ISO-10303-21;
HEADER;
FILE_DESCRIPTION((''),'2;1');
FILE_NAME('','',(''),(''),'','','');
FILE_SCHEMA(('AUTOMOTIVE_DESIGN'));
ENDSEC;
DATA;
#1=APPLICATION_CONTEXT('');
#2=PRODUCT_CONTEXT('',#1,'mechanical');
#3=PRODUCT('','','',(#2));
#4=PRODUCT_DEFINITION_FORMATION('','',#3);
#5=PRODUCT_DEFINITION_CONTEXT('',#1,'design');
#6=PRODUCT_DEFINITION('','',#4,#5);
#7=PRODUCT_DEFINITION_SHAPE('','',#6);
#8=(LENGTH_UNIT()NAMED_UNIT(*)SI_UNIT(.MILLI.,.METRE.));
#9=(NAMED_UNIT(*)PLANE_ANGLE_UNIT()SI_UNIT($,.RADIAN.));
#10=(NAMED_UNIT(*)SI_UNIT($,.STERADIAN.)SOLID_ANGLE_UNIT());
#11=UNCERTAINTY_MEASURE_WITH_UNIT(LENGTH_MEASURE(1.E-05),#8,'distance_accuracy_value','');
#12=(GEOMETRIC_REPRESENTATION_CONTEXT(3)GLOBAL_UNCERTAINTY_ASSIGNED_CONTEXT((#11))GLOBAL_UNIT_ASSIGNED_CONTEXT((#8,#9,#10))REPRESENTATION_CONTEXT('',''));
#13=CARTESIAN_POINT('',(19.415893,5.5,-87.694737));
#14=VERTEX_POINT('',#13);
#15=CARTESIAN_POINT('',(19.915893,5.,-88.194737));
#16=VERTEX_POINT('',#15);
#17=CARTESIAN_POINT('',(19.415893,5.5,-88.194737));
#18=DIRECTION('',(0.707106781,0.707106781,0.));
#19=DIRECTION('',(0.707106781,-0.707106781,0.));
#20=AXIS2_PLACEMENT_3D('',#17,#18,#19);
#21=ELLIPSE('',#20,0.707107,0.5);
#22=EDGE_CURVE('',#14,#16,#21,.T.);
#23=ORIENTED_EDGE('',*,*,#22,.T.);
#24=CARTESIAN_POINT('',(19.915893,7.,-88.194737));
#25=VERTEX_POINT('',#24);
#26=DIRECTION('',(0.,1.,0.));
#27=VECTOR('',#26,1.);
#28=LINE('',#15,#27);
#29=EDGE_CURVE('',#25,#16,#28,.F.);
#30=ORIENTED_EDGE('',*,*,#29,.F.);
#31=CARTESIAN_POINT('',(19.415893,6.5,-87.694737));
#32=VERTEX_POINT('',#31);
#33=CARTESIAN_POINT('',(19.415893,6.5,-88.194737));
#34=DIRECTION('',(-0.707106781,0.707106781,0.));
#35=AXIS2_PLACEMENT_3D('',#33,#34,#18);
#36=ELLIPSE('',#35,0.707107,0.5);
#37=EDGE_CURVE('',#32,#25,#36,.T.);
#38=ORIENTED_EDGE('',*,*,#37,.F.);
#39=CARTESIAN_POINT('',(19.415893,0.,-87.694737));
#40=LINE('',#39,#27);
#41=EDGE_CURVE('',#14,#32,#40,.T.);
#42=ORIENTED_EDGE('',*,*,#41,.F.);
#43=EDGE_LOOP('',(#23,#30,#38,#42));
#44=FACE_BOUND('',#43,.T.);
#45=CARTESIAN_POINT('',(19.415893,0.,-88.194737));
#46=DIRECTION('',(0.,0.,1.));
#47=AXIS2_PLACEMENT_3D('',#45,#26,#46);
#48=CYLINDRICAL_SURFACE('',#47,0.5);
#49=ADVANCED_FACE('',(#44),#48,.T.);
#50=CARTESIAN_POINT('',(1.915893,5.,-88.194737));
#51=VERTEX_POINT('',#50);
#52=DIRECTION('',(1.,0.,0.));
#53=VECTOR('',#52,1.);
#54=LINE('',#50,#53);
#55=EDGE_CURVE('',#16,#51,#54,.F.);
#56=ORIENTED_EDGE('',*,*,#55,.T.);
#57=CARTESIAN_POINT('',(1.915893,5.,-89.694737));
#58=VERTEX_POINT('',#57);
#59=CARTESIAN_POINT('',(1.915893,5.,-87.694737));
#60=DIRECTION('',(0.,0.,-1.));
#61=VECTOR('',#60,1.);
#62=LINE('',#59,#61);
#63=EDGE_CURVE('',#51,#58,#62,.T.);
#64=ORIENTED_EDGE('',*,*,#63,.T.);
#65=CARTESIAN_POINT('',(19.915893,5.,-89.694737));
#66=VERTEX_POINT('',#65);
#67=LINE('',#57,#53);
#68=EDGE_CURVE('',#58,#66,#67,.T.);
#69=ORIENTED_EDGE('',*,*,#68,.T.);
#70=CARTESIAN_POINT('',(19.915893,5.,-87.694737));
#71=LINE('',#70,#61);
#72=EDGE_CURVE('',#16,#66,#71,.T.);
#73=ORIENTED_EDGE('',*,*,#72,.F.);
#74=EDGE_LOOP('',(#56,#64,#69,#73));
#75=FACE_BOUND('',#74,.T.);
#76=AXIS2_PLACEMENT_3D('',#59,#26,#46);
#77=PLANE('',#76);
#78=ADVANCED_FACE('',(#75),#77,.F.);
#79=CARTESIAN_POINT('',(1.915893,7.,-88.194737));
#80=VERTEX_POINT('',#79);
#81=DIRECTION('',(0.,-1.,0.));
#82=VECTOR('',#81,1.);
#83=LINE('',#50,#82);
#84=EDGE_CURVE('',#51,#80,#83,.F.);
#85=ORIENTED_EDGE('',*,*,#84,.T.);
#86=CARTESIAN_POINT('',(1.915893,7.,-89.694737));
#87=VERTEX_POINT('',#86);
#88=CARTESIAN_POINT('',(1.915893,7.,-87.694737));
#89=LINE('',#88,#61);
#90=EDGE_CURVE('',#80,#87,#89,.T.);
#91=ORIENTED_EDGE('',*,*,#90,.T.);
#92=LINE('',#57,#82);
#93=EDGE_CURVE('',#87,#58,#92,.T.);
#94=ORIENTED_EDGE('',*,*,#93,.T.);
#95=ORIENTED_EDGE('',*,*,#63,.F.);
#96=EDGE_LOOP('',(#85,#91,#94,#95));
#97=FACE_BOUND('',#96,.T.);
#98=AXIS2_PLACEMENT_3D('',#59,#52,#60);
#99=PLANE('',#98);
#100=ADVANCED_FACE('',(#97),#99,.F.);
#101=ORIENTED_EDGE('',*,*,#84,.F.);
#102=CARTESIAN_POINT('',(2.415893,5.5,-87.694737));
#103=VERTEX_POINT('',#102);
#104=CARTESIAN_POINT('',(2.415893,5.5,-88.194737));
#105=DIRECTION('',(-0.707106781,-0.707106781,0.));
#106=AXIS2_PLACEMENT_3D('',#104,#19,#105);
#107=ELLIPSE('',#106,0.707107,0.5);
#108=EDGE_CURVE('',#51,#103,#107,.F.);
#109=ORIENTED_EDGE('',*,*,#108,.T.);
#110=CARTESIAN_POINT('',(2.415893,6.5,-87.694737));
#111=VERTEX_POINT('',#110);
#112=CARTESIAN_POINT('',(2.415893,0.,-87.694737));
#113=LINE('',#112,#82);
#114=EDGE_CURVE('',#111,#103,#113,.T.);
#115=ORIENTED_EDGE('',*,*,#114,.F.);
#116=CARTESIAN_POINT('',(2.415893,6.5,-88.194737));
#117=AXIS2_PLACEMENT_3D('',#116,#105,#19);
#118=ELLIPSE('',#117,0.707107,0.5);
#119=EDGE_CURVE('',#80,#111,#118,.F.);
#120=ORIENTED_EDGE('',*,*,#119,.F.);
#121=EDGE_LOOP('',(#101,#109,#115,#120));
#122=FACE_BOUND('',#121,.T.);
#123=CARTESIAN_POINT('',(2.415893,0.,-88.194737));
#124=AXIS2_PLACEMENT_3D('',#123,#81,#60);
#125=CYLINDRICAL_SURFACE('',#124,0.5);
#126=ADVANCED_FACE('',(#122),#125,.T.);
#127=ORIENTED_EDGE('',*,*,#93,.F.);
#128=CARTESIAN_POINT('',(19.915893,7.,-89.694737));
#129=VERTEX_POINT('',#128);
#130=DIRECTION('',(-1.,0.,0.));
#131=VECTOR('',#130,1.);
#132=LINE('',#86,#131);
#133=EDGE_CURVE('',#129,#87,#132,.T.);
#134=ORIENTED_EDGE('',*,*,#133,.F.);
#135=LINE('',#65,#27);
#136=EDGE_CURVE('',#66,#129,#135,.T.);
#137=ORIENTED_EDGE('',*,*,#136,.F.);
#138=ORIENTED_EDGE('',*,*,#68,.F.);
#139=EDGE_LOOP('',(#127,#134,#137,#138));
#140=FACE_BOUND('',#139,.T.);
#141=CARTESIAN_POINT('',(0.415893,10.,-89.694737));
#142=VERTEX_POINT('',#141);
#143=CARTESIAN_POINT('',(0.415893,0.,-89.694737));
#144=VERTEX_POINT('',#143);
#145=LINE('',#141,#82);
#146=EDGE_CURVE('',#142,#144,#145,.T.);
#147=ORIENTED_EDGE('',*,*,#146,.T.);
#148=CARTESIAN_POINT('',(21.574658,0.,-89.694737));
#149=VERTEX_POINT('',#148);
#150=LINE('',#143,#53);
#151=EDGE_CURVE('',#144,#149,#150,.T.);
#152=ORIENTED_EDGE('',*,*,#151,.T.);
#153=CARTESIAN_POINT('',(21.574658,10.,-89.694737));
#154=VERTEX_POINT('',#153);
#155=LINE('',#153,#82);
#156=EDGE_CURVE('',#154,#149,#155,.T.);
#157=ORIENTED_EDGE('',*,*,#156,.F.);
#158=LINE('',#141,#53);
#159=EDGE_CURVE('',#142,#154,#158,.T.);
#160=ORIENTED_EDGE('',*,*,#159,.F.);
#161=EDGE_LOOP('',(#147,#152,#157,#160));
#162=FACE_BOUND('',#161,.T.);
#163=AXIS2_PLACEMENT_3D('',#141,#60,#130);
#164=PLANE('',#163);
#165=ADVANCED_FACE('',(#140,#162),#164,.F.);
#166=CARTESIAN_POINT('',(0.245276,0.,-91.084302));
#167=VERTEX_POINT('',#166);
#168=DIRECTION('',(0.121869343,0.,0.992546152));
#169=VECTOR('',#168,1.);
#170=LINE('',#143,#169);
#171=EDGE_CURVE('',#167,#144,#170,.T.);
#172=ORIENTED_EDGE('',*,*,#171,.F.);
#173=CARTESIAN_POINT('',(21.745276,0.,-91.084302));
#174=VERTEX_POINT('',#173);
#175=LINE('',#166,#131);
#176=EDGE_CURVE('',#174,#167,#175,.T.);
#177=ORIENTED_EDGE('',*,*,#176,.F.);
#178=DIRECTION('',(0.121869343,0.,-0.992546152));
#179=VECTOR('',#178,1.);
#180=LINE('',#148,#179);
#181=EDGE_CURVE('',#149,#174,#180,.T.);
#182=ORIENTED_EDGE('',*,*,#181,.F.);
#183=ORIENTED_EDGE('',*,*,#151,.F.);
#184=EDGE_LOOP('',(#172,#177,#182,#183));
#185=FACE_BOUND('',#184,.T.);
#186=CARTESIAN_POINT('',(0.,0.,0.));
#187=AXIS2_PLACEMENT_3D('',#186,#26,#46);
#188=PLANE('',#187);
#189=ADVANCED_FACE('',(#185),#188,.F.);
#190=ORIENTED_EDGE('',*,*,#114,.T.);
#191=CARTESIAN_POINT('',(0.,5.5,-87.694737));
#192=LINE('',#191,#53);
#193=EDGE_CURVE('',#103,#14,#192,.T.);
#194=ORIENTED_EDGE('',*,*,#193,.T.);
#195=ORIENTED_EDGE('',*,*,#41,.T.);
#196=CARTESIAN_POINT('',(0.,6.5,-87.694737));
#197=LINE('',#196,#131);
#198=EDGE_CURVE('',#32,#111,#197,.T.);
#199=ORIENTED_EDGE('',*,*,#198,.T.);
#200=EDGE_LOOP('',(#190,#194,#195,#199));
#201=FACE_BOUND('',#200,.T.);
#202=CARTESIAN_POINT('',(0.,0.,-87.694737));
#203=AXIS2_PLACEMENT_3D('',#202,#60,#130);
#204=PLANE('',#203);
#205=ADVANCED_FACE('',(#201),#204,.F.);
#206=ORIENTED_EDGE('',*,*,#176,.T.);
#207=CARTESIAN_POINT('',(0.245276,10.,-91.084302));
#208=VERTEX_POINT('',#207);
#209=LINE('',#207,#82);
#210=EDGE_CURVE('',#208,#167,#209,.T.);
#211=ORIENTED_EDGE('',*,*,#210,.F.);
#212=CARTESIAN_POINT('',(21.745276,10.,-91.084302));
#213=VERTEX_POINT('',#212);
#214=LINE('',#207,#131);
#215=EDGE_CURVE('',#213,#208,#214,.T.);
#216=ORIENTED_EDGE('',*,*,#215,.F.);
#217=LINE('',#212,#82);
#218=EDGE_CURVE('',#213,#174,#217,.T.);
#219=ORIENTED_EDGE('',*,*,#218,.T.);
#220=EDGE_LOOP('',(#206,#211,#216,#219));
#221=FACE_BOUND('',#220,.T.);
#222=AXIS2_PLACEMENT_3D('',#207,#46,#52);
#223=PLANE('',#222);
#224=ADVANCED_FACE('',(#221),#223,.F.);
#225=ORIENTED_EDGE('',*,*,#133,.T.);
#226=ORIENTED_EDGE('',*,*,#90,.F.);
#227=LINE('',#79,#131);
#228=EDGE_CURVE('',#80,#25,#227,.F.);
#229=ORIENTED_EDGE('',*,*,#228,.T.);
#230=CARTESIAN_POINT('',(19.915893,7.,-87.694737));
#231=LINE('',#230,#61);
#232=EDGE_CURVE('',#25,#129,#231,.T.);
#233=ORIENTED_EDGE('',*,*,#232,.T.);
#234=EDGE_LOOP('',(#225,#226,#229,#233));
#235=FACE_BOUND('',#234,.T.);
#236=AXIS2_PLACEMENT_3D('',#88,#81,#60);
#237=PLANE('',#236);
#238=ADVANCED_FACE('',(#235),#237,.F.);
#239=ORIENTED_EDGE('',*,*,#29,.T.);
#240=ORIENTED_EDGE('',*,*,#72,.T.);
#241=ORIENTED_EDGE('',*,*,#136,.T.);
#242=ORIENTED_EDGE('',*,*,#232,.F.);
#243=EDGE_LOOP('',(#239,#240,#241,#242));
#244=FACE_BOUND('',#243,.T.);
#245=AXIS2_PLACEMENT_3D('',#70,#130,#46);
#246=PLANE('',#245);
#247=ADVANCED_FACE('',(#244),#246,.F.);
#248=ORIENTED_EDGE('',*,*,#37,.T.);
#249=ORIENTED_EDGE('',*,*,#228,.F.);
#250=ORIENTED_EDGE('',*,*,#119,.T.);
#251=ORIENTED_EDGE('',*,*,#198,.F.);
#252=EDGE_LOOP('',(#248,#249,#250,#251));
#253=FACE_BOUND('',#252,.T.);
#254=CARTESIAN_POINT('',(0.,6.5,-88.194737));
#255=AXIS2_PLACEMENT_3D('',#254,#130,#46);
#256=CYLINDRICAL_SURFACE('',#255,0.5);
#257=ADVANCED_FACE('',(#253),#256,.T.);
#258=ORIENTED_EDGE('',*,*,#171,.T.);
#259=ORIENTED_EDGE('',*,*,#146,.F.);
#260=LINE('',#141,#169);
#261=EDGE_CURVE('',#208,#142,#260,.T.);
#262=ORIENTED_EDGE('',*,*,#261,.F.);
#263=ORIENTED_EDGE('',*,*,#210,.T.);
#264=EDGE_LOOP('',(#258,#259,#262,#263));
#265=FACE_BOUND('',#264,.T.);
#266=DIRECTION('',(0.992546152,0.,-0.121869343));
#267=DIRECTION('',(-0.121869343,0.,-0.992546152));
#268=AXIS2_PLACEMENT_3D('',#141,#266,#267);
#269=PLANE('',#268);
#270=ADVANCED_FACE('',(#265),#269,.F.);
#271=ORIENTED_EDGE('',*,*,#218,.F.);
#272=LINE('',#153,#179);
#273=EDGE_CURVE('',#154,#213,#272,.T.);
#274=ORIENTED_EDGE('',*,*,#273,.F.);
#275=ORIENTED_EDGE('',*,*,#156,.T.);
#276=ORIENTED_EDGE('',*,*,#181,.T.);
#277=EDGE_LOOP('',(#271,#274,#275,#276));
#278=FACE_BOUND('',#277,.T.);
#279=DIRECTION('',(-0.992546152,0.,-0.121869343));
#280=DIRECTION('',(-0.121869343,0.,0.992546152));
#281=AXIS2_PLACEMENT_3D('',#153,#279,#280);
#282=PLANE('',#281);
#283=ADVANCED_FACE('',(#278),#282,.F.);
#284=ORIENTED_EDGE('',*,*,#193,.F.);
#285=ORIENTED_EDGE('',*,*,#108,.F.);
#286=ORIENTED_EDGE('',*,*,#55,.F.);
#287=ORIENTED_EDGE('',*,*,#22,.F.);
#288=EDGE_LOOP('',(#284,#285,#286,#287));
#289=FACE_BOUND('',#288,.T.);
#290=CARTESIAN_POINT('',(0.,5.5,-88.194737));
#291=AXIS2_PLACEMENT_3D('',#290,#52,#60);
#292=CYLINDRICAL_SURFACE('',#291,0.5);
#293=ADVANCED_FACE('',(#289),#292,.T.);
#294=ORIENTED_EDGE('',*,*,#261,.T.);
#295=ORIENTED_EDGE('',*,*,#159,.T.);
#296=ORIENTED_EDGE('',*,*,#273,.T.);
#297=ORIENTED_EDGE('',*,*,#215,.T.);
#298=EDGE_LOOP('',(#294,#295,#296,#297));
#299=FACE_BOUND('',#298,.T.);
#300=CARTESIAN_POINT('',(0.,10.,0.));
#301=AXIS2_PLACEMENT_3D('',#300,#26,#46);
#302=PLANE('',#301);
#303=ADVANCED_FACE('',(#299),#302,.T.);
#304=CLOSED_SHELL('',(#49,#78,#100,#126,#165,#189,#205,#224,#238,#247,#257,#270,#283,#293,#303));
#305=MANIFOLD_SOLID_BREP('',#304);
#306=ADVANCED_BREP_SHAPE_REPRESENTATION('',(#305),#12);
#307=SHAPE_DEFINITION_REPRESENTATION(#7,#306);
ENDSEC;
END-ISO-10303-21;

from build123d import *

# Parameters (mm, degrees)
RESSALTO_EXTRUS_O1_DEPTH = 10
ESBO_O4_W                = 18
ESBO_O4_H                = 2
RESSALTO_EXTRUS_O2_DEPTH = 2
FILETE1_R                = 0.5


with BuildPart() as part:
    # Esboço3 → Ressalto-extrusão1 (new body)
    with BuildSketch(Plane(origin=(0, 0, 0), x_dir=(1, 0, 0), z_dir=(0, 1, 0))):
        Polygon((21.574658441, 89.694736978), (21.745275522, 91.08430159), (0.245275522, 91.08430159), (0.415892603, 89.694736978), align=None)
    extrude(amount=RESSALTO_EXTRUS_O1_DEPTH)

    # Esboço4 → Ressalto-extrusão2 (add)
    with BuildSketch(Plane.XY.offset(-89.694736978)):
        with Locations((10.915892603, 6)):
            Rectangle(ESBO_O4_W, ESBO_O4_H)
    extrude(amount=RESSALTO_EXTRUS_O2_DEPTH)

    # Filete1
    filete1_edges = [part.edges().sort_by_distance(p)[0] for p in [
        (1.915892603, 6, -87.694736978),
        (10.915892603, 5, -87.694736978),
        (19.915892603, 6, -87.694736978),
        (10.915892603, 7, -87.694736978),
    ]]
    fillet(filete1_edges, radius=FILETE1_R)


solid = part.part
